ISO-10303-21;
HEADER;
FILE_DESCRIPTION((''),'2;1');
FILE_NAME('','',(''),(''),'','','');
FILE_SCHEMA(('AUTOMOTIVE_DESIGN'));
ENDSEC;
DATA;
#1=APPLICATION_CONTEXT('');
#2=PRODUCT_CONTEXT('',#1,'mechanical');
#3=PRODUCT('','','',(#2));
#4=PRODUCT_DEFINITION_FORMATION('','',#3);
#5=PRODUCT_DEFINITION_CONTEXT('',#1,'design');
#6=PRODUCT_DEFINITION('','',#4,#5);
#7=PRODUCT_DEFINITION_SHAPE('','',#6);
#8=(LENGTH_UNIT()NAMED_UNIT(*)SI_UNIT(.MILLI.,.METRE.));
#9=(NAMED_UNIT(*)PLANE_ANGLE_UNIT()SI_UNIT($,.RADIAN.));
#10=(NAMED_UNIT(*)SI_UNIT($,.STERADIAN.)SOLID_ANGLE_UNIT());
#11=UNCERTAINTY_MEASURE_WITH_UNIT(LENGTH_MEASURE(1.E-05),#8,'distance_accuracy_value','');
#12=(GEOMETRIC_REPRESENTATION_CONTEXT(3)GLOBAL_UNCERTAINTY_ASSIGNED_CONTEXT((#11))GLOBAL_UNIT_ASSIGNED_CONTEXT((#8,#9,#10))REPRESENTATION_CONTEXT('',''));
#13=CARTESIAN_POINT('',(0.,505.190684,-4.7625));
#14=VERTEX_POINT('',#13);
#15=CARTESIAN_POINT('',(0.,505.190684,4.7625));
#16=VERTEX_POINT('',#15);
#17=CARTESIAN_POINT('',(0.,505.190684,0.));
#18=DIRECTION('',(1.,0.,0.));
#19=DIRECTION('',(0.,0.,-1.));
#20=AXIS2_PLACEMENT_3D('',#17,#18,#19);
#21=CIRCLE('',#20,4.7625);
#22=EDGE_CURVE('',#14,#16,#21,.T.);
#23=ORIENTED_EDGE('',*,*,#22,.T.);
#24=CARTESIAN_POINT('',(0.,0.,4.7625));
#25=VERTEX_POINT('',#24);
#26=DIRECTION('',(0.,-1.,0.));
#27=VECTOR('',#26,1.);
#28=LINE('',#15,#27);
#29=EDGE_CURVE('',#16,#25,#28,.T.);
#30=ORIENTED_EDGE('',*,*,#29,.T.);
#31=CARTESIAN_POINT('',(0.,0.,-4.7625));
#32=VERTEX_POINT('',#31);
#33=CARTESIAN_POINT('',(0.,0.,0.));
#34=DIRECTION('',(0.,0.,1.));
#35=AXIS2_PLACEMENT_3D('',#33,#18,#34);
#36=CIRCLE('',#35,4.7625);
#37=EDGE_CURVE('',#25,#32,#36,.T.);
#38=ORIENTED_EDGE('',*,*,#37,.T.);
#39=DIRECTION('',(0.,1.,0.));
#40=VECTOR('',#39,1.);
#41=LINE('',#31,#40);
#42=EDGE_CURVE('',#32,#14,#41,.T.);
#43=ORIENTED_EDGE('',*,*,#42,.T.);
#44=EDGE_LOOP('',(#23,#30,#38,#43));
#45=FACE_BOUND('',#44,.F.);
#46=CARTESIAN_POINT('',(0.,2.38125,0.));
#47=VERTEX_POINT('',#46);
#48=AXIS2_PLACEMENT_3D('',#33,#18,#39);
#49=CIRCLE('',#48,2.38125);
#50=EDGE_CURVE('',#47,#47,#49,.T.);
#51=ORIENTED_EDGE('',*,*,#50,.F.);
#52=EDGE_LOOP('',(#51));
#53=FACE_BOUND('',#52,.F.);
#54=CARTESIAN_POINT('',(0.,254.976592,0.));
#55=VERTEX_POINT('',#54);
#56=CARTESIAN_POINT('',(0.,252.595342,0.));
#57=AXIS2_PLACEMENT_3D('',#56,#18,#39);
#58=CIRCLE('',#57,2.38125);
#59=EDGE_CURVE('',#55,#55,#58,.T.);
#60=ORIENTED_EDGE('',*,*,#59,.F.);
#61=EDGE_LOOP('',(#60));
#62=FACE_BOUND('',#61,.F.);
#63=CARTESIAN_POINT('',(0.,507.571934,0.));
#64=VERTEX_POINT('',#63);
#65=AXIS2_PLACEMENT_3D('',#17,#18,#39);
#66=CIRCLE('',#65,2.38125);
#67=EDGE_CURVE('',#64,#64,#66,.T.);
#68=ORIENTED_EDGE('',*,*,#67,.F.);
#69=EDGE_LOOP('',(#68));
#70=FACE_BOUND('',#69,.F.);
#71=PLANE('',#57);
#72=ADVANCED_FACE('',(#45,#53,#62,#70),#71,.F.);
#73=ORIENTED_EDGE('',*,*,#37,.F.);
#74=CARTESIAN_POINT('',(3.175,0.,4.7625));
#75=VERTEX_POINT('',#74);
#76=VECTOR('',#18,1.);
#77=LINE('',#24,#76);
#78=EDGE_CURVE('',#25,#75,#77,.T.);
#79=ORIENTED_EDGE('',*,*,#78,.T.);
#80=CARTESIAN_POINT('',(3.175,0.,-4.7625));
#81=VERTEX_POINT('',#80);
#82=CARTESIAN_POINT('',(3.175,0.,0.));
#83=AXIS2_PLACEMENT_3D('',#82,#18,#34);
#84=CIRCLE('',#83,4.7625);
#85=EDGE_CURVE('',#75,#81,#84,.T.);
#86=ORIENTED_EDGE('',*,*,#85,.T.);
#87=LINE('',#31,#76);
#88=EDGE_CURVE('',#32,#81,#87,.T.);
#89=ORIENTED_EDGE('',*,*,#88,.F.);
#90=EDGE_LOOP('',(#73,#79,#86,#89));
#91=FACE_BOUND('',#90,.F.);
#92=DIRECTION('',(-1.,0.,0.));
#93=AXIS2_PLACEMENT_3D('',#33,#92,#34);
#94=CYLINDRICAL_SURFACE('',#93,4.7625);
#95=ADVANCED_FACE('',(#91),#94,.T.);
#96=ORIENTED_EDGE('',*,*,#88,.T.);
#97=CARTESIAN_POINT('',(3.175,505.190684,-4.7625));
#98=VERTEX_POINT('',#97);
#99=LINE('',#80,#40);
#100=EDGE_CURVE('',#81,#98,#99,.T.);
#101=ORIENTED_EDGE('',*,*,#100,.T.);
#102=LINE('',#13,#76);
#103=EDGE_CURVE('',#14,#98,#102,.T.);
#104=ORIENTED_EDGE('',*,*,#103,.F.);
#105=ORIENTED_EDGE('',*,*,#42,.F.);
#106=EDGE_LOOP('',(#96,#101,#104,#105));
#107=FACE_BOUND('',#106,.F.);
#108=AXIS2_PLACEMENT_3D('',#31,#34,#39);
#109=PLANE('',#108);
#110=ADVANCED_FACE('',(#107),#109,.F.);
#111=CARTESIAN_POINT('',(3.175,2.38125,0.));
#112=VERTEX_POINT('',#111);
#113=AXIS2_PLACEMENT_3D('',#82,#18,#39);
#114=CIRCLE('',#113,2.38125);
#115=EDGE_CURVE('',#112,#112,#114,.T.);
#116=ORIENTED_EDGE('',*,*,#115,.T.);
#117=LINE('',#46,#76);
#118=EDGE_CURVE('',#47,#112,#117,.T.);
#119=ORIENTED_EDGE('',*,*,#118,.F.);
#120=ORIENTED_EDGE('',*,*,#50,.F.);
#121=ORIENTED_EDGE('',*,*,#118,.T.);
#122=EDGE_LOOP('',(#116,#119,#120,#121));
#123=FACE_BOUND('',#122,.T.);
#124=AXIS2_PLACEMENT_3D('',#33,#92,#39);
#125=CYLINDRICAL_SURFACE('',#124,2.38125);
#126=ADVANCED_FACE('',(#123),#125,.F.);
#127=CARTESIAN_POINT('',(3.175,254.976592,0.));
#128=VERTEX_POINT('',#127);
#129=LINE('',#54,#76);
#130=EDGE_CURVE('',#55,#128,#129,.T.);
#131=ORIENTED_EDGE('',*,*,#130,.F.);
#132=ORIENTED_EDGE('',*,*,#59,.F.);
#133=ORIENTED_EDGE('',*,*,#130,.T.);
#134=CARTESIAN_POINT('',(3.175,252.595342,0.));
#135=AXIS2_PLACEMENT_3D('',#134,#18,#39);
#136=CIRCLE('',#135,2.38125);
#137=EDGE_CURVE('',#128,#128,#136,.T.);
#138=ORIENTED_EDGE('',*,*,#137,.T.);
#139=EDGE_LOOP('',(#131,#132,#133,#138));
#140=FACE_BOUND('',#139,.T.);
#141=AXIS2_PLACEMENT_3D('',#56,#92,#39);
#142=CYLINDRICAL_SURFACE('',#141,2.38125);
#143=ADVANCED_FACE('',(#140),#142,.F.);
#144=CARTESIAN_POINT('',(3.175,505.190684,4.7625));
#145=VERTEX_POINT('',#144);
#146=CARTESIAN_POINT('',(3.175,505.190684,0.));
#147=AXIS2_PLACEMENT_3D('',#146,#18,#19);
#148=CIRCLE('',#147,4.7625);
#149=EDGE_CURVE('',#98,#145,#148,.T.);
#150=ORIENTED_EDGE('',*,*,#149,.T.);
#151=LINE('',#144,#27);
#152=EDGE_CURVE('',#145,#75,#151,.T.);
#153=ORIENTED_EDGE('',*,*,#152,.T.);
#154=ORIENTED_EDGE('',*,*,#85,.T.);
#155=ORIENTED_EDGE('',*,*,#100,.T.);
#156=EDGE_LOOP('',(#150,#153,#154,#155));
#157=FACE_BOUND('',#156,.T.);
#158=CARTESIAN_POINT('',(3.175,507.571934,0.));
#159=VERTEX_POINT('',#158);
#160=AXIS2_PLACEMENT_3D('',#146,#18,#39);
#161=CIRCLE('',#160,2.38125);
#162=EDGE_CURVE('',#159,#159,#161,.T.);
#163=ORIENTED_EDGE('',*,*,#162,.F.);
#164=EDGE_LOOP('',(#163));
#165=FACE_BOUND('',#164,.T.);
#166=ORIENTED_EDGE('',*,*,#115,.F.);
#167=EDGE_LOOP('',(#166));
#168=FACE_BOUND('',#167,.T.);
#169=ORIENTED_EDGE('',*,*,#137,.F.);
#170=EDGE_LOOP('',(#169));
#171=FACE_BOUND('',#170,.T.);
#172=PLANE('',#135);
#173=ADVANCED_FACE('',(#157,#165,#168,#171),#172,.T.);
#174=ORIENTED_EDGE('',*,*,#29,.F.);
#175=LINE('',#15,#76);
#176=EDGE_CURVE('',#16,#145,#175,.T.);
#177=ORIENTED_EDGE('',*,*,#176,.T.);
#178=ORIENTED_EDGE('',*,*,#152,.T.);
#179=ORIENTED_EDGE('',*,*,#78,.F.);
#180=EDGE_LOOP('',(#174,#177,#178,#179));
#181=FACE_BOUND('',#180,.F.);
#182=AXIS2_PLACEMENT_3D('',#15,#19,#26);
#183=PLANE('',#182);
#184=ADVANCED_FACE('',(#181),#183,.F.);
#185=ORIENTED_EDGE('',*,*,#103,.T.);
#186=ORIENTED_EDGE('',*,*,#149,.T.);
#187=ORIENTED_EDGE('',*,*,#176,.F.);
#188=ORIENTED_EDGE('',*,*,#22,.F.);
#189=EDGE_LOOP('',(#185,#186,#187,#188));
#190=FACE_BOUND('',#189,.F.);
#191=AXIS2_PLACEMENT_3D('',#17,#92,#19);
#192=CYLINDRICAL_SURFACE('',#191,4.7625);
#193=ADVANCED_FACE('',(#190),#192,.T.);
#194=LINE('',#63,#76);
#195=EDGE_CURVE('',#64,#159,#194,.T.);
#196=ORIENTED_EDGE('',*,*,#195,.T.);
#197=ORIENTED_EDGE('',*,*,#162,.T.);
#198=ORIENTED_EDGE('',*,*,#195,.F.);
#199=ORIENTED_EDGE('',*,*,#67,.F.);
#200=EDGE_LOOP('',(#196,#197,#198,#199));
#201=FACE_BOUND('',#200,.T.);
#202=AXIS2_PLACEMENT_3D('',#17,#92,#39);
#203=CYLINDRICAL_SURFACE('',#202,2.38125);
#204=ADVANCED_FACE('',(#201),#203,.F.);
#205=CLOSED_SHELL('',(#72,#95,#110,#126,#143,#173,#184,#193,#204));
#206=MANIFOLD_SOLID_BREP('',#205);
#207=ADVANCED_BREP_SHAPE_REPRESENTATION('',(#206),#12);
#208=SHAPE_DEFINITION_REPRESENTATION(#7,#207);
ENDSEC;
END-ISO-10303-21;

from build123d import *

# Parameters (mm, degrees)
F0_R     = 2.38125
F1_DEPTH = 3.175


with BuildPart() as f1:
    # F0 (on Right) → F1 (new body)
    with BuildSketch(Plane.YZ):
        with BuildLine():
            Line((505.190684, 4.7625), (0, 4.7625))
            ThreePointArc((0, 4.7625), (-4.7625, 0), (0, -4.7625))
            Line((0, -4.7625), (505.190684, -4.7625))
            ThreePointArc((505.190684, -4.7625), (509.953184, 0), (505.190684, 4.7625))
        make_face()
        Circle(F0_R, mode=Mode.SUBTRACT)
        with Locations((252.595342, 0)):
            Circle(F0_R, mode=Mode.SUBTRACT)
        with Locations((505.190684, 0)):
            Circle(F0_R, mode=Mode.SUBTRACT)
    extrude(amount=F1_DEPTH)


solid = f1.part
